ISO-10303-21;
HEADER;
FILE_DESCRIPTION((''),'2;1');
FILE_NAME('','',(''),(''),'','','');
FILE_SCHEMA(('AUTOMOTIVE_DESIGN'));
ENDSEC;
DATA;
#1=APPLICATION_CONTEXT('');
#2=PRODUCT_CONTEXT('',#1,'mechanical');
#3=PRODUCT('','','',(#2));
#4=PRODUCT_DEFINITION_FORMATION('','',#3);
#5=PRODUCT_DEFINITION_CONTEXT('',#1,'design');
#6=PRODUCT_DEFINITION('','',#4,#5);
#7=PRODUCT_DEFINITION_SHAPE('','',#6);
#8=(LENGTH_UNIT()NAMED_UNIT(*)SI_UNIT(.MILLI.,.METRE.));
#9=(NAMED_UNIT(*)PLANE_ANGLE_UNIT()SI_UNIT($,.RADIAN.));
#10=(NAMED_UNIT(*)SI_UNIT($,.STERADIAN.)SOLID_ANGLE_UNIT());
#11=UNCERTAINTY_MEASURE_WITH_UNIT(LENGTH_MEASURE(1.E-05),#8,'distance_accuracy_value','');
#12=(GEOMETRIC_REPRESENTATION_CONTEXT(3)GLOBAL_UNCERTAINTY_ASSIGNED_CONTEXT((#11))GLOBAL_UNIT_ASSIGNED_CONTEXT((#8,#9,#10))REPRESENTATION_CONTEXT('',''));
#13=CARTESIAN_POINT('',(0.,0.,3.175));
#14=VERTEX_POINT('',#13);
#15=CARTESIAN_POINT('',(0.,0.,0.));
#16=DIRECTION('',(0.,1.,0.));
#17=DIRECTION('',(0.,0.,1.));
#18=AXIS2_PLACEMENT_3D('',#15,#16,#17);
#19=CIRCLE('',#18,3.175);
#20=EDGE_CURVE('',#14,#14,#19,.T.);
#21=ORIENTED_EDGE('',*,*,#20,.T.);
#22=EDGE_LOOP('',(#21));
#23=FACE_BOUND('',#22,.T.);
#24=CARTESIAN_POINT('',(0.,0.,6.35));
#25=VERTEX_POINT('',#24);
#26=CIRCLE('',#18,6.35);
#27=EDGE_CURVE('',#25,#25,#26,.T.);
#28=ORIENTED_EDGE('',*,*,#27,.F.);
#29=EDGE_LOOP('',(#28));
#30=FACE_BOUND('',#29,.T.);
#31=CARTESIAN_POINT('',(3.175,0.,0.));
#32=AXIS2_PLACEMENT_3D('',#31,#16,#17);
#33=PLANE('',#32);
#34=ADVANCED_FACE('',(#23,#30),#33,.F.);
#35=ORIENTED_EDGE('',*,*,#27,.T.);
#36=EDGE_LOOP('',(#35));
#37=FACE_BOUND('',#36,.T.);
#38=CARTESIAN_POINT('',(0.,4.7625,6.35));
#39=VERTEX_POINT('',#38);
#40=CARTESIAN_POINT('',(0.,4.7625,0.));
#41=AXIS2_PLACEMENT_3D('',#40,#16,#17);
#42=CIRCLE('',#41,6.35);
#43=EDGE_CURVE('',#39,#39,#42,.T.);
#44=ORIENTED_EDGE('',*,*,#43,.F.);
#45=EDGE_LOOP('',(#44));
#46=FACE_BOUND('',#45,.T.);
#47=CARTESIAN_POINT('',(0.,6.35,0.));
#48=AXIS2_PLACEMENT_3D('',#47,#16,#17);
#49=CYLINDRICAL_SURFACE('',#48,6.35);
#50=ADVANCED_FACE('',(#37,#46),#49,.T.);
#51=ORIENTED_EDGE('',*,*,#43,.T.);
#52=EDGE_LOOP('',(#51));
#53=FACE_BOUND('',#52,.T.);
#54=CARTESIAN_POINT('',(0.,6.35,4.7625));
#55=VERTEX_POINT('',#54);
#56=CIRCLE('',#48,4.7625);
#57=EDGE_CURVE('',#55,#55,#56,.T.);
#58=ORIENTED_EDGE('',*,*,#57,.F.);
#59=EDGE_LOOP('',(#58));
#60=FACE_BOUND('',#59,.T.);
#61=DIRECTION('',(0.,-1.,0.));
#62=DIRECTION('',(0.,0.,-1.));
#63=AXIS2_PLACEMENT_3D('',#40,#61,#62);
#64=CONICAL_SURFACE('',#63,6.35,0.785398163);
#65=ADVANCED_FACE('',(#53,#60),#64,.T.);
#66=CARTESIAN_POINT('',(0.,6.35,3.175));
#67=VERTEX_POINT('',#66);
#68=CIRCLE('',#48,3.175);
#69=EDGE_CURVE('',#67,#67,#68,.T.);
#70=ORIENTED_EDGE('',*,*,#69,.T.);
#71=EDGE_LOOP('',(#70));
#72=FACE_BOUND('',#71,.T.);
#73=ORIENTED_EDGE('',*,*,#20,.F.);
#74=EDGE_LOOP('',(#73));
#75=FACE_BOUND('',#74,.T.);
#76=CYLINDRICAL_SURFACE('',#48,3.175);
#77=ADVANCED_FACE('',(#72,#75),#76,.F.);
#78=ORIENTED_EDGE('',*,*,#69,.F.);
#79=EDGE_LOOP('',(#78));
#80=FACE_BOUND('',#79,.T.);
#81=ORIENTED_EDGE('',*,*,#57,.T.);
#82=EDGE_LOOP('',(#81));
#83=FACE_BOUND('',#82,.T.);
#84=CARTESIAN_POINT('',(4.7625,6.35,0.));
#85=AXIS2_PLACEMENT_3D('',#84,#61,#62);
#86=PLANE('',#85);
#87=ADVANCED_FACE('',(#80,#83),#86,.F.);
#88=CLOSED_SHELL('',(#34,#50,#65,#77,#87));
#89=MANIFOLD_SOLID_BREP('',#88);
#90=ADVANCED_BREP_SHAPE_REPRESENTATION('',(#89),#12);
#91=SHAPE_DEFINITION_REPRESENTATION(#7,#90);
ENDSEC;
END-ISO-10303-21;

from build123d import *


with BuildPart() as part:
    # Sketch1 → Revolve1 (revolve)
    with BuildSketch(Plane.XY):
        Polygon((3.175, 0), (6.35, 0), (6.35, 4.7625), (4.7625, 6.35), (3.175, 6.35), align=None)
    revolve(axis=Axis((0, 6.35, 0), (0, -1, 0)))


solid = part.part
